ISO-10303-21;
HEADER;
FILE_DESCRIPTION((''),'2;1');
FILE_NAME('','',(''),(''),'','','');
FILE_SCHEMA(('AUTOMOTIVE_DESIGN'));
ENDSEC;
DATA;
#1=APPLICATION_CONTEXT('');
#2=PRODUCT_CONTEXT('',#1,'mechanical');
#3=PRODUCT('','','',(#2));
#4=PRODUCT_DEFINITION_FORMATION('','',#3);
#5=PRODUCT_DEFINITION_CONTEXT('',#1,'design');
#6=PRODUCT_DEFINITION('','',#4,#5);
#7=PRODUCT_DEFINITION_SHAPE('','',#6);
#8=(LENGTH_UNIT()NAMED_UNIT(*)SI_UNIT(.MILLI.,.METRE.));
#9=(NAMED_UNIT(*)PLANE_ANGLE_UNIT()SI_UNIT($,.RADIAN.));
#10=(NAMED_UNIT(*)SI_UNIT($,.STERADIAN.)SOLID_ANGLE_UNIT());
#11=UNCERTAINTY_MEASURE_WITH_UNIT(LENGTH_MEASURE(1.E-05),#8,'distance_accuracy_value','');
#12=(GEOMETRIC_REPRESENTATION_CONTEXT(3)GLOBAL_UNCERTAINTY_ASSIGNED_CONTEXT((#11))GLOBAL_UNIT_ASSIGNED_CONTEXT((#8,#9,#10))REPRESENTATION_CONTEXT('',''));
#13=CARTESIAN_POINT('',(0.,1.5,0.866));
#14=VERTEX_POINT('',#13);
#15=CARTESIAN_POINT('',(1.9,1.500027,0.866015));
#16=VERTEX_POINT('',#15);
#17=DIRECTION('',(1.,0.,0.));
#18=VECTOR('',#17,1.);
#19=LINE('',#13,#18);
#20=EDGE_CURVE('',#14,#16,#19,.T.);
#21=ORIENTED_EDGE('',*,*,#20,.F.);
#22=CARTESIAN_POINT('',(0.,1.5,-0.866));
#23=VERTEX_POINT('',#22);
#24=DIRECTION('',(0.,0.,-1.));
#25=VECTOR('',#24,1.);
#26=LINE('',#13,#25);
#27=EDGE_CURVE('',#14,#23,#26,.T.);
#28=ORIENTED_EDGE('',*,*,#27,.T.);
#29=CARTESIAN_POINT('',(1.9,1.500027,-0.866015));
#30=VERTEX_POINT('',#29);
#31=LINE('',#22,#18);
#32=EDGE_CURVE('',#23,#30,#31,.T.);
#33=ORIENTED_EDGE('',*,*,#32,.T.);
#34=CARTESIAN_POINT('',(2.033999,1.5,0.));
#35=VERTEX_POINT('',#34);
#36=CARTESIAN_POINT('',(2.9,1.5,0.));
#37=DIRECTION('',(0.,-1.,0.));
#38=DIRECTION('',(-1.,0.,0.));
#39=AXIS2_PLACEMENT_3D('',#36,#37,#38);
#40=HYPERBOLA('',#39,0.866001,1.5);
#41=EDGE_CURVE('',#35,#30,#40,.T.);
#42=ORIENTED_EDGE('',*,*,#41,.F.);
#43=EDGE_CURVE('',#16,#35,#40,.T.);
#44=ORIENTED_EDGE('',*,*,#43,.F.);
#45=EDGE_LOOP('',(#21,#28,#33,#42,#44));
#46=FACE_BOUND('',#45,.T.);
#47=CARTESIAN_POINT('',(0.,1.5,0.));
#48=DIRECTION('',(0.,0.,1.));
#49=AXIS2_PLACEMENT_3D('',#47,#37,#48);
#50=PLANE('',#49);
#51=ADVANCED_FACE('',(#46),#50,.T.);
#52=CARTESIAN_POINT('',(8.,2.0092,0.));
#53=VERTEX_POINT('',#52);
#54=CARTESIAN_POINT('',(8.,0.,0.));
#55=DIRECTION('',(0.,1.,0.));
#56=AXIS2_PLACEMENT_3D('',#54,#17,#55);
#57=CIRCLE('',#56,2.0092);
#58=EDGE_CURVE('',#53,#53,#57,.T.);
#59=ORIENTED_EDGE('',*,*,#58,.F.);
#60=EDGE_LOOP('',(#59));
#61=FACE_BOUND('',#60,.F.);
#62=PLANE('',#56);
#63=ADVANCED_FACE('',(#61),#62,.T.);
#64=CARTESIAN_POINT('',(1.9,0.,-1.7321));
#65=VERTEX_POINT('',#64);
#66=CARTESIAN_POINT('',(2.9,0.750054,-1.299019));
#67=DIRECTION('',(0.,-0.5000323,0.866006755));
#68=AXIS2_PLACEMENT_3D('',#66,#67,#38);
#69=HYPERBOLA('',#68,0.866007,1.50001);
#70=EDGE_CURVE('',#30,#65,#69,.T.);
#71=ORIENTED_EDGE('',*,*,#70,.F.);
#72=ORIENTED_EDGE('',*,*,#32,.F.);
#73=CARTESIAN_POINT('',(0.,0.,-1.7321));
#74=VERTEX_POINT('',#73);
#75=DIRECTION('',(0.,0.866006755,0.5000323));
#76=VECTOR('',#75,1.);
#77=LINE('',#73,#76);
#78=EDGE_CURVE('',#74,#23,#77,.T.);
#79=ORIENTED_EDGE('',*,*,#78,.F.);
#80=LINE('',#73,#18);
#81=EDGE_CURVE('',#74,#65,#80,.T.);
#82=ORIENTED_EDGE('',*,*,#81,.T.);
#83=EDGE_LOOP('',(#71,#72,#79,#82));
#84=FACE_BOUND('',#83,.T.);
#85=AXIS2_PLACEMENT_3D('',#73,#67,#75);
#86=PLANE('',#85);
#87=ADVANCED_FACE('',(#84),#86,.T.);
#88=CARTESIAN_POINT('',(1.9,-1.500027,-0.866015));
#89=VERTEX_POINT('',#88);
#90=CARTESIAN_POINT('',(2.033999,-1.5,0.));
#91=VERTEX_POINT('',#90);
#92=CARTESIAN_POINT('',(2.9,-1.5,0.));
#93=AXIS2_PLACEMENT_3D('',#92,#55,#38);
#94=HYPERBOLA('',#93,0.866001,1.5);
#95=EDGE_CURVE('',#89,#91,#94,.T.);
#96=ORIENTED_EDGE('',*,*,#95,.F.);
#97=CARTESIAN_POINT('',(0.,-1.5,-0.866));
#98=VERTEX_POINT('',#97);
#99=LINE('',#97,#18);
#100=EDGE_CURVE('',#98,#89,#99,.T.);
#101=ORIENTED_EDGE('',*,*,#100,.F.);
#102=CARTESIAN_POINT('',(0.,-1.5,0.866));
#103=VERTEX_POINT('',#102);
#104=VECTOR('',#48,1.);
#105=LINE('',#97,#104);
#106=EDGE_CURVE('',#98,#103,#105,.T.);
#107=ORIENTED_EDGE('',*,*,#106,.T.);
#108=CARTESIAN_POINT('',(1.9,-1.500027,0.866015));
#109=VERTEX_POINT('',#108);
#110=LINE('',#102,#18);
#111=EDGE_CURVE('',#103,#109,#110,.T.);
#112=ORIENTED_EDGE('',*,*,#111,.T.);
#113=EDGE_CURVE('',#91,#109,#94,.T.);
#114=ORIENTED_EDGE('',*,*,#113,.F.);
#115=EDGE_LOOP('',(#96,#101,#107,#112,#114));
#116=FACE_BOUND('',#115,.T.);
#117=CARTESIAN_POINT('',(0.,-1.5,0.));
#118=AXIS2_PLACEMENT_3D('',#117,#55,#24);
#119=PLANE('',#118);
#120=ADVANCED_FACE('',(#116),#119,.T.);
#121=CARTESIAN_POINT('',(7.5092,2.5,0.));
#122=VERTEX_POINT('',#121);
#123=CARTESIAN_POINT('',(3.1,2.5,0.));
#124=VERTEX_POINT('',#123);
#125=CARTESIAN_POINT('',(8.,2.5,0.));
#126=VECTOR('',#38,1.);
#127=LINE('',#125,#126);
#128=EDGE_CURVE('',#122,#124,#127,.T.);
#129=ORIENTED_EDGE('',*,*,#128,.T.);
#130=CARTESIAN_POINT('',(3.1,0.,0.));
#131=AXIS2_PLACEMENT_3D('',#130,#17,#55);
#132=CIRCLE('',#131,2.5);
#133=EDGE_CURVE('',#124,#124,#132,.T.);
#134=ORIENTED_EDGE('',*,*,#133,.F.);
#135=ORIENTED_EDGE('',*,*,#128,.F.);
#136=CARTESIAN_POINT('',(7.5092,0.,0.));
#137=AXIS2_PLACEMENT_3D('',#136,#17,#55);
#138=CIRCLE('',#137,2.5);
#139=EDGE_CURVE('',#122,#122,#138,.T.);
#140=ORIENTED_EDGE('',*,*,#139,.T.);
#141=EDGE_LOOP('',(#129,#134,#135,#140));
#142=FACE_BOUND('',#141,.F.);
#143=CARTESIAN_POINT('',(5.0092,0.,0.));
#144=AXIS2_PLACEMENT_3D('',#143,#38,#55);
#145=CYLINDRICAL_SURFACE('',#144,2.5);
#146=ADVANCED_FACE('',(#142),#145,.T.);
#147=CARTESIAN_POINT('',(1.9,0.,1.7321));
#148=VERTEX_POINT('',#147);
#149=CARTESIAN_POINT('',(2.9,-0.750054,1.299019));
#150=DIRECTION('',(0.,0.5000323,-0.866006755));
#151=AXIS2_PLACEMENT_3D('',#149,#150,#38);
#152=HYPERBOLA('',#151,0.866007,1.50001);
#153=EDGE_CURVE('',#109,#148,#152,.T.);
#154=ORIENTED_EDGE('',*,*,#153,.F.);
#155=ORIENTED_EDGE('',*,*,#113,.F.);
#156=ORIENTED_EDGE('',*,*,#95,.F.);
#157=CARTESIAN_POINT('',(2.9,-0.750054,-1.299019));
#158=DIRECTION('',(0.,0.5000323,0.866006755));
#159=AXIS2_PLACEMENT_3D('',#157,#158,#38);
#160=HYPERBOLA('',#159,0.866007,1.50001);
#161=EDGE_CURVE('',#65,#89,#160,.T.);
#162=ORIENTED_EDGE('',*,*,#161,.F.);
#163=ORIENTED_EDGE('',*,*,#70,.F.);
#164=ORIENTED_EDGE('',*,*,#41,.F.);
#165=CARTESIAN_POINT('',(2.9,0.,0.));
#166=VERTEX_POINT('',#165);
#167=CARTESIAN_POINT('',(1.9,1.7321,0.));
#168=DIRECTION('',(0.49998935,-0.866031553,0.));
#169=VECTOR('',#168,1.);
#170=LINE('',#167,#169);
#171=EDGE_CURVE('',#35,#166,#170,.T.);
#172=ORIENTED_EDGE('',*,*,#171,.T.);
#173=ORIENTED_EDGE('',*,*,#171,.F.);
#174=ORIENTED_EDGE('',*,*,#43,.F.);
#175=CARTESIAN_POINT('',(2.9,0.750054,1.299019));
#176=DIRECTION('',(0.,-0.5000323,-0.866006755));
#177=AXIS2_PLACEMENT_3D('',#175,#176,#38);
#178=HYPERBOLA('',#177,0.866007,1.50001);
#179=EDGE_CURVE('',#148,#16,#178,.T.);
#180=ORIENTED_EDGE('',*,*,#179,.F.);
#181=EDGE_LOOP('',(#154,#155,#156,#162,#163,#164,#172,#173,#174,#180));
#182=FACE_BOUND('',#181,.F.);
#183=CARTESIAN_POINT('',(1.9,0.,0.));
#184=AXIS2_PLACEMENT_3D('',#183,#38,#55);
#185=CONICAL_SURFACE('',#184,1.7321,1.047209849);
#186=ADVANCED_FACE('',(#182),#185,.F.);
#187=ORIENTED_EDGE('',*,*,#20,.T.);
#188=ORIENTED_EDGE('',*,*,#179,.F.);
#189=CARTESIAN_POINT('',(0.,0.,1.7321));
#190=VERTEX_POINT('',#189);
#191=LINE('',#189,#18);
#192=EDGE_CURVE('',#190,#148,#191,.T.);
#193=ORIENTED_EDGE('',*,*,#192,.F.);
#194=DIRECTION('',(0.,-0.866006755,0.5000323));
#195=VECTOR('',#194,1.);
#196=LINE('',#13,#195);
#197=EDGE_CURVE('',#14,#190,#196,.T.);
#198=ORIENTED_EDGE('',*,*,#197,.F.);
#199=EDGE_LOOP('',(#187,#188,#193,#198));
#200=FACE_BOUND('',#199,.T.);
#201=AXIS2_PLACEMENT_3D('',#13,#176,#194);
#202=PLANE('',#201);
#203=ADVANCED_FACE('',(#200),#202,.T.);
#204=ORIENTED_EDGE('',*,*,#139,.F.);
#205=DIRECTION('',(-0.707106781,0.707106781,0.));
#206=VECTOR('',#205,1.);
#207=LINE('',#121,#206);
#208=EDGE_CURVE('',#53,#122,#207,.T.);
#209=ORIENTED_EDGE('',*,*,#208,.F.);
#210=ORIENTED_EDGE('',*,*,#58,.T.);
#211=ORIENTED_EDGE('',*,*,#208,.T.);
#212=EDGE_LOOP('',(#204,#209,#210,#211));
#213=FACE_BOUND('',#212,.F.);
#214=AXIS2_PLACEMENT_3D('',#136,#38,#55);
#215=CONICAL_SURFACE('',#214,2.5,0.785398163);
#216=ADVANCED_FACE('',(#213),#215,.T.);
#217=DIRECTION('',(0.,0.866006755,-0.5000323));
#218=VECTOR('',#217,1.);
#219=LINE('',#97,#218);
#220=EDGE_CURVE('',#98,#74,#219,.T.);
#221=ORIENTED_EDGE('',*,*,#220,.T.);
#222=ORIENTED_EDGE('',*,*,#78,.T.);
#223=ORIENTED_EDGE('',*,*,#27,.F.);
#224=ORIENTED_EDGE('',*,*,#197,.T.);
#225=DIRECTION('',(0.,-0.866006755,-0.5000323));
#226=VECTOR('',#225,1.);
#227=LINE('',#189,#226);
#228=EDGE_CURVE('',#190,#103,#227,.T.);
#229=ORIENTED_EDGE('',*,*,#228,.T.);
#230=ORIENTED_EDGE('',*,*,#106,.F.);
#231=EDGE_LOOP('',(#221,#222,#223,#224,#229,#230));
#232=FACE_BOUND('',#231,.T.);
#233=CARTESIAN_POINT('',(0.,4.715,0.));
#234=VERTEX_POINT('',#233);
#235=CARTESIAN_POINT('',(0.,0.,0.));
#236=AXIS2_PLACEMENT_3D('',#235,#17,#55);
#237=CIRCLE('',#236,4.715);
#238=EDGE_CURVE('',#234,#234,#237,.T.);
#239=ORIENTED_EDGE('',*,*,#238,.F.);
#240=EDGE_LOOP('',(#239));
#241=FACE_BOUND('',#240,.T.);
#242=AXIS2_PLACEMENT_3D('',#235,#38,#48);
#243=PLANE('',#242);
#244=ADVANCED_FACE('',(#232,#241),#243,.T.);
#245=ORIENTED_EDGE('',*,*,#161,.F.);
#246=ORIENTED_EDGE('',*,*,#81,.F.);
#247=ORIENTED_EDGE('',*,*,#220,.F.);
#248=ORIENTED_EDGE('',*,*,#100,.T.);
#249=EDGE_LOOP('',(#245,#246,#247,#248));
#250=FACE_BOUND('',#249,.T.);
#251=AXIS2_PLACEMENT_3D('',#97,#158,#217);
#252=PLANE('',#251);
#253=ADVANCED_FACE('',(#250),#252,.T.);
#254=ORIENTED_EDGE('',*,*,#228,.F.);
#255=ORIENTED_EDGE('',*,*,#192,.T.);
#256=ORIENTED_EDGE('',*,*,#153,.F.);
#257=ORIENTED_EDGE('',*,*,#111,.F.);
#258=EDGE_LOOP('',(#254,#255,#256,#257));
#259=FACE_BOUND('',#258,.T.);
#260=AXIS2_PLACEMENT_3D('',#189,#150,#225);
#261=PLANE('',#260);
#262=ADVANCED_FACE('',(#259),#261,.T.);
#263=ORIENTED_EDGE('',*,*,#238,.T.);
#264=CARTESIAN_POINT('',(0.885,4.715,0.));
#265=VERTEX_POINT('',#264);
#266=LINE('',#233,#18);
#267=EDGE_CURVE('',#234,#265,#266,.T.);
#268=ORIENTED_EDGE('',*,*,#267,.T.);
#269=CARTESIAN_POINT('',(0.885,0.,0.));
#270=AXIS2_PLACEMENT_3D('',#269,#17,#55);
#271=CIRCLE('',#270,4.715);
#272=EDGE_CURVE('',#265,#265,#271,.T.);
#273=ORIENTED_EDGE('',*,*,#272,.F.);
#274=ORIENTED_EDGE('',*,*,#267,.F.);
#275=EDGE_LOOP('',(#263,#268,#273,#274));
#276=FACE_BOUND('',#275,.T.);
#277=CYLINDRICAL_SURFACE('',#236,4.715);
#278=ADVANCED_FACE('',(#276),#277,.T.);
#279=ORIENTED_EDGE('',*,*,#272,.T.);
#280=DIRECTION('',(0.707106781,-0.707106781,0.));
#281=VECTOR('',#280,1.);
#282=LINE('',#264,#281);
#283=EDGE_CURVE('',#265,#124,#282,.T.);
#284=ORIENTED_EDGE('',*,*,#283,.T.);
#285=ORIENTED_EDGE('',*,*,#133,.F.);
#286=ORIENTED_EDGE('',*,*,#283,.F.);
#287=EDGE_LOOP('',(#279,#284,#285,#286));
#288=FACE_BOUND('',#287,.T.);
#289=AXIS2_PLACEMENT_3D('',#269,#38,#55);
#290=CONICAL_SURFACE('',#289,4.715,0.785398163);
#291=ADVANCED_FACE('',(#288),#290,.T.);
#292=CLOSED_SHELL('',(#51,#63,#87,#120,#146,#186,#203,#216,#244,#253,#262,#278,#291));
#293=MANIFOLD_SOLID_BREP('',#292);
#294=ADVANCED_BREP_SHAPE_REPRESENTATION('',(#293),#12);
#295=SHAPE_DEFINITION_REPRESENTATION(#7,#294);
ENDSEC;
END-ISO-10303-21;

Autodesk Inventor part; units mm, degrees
ref_plane "YZ Plane" through (0, 0, 0) normal (1, 0, 0) x (0, 1, 0)
ref_plane "XZ Plane" through (0, 0, 0) normal (0, 1, 0) x (-1, 0, 0)
sketch "Skizze1" plane through (0, 0, 0) normal (0, 0, 1) x (1, 0, 0)
  line L0 (8, 0) -> (8, 2.5)
  line L1 (8, 2.5) -> (5.5, 2.5)
  line L2 (5.5, 2.5) -> (5.0092, 2.5)
  line L3 (0, 4.715) -> (0, 1.7321)
  line L4 (0, 1.7321) -> (1.9, 1.7321)
  line L5 (1.9, 1.7321) -> (2.9, 0)
  line L6 (2.9, 0) -> (8, 0)
  line L7 (0, 4.715) -> (0.885, 4.715)
  line L8 (0.885, 4.715) -> (3.1, 2.5)
  line L9 (5.0092, 2.5) -> (3.1, 2.5)
  line L10 (5.5, 2.5) -> (3.1, 2.5) construction
  line L11 (3.1, 2.5) -> (3.1, 2.5)
  line L12 (-1.6, 0) -> (9.6, 0) projected
  line L13 (0, -0.943) -> (0, 5.658) projected
  dimension "d0" = 8
  dimension "d1" = 2.5
  dimension "d2" = 1.9
  dimension "d3" = 5
  dimension "d6" = 3.1
  dimension "d7" = 45
  dimension "d8" = 3.4641
  dimension "d9" = 60
  dimension "d10" = 9.43
  dimension "d11" = 5
  dimension "d12" = 0.4908
revolve "Körper" add sketch "Skizze1" angle 360 about axis through (2.9, 0, 0) along (1, 0, 0) contours L6 L5 L4 L3 L7 L8 L9 L2 L1 L0
sketch "Skizze2" plane through (0, 0, 0) normal (-1, 0, 0) x (0, 0, 1)
  circle A0 centre (0, 0) radius 1.7321 projected
  line L0 (0, -6.601) -> (0, 6.601) projected
  line L1 (-6.601, 0) -> (6.601, 0) projected
  line L2 (1.7321, 0) -> (0.866, -1.5)
  line L3 (0.866, -1.5) -> (-0.866, -1.5)
  line L4 (-0.866, -1.5) -> (-1.7321, 0)
  line L5 (-1.7321, 0) -> (-0.866, 1.5)
  line L6 (-0.866, 1.5) -> (0.866, 1.5)
  line L7 (0.866, 1.5) -> (1.7321, 0)
  point P0 (0, 1.7321)
extrude "Loch" add sketch "Skizze2" against normal up to next contours L7 A0 | A0 L2 | L6 L0 A0 | A0 L0 L3 | L0 L6 A0 | A0 L3 L0 | L4 A0 | A0 L5
thread "Gewinde" size "M5x0.8" class "6g" standard "ISO Metric profile" length 2.5
chamfer "Fase1" distance 0.4908 distance2 0.4908 1 edges at (8, -2.5, 0) measured on face at (8, 0.4809, 1.5312)
ref_plane "Work Plane1" through (104.775, 0, 0) normal (0, 0, -1) x (1, 0, 0)
equation "\"d15\" = GEL"
equation "\"d17\" = -0.5 * SPD + 0.5 * GD"
equation "\"d18\" = GUL"
equation "\"d0\" = NLG"
equation "\"d1\" = GEL"
equation "\"d2\" = INTI"
equation "\"d3\" = GD"
equation "\"d6\" = KOH"
equation "\"d7\" = 0.5 * SEWI"
equation "\"d8\" = 1.1547 * SW"
equation "\"d10\" = KOD"
equation "\"d11\" = BDM"
equation "\"d12\" = GAL"
equation "\"NLG\" = 8"
equation "\"INTI\" = 1.9"
equation "\"GEL\" = 2.5"
equation "\"GAL\" = 0.61345 * PTC"
equation "\"KOH\" = 3.1"
equation "\"KOD\" = 9.43"
equation "\"GUL\" = 0.61345 * PTC"
equation "\"SPD\" = NND - 1.2269 * PTC"
equation "\"BDM\" = NND"
equation "\"GD\" = NND"
equation "\"SEWI\" = 90deg"
equation "\"SW\" = 3"
equation "\"TOA\" = 30deg"
equation "\"GD1\" = THREADDIA - 1.2269 * PTC"
equation "\"EPV\" = 5.5"
equation "\"THREADDIA\" = 5"
equation "\"PTC\" = 0.8"
equation "\"NND\" = 5"
equation "\"E0\" = 3.47"
properties part number "ISO 10642  - M5  x  8" material "Stahl"
